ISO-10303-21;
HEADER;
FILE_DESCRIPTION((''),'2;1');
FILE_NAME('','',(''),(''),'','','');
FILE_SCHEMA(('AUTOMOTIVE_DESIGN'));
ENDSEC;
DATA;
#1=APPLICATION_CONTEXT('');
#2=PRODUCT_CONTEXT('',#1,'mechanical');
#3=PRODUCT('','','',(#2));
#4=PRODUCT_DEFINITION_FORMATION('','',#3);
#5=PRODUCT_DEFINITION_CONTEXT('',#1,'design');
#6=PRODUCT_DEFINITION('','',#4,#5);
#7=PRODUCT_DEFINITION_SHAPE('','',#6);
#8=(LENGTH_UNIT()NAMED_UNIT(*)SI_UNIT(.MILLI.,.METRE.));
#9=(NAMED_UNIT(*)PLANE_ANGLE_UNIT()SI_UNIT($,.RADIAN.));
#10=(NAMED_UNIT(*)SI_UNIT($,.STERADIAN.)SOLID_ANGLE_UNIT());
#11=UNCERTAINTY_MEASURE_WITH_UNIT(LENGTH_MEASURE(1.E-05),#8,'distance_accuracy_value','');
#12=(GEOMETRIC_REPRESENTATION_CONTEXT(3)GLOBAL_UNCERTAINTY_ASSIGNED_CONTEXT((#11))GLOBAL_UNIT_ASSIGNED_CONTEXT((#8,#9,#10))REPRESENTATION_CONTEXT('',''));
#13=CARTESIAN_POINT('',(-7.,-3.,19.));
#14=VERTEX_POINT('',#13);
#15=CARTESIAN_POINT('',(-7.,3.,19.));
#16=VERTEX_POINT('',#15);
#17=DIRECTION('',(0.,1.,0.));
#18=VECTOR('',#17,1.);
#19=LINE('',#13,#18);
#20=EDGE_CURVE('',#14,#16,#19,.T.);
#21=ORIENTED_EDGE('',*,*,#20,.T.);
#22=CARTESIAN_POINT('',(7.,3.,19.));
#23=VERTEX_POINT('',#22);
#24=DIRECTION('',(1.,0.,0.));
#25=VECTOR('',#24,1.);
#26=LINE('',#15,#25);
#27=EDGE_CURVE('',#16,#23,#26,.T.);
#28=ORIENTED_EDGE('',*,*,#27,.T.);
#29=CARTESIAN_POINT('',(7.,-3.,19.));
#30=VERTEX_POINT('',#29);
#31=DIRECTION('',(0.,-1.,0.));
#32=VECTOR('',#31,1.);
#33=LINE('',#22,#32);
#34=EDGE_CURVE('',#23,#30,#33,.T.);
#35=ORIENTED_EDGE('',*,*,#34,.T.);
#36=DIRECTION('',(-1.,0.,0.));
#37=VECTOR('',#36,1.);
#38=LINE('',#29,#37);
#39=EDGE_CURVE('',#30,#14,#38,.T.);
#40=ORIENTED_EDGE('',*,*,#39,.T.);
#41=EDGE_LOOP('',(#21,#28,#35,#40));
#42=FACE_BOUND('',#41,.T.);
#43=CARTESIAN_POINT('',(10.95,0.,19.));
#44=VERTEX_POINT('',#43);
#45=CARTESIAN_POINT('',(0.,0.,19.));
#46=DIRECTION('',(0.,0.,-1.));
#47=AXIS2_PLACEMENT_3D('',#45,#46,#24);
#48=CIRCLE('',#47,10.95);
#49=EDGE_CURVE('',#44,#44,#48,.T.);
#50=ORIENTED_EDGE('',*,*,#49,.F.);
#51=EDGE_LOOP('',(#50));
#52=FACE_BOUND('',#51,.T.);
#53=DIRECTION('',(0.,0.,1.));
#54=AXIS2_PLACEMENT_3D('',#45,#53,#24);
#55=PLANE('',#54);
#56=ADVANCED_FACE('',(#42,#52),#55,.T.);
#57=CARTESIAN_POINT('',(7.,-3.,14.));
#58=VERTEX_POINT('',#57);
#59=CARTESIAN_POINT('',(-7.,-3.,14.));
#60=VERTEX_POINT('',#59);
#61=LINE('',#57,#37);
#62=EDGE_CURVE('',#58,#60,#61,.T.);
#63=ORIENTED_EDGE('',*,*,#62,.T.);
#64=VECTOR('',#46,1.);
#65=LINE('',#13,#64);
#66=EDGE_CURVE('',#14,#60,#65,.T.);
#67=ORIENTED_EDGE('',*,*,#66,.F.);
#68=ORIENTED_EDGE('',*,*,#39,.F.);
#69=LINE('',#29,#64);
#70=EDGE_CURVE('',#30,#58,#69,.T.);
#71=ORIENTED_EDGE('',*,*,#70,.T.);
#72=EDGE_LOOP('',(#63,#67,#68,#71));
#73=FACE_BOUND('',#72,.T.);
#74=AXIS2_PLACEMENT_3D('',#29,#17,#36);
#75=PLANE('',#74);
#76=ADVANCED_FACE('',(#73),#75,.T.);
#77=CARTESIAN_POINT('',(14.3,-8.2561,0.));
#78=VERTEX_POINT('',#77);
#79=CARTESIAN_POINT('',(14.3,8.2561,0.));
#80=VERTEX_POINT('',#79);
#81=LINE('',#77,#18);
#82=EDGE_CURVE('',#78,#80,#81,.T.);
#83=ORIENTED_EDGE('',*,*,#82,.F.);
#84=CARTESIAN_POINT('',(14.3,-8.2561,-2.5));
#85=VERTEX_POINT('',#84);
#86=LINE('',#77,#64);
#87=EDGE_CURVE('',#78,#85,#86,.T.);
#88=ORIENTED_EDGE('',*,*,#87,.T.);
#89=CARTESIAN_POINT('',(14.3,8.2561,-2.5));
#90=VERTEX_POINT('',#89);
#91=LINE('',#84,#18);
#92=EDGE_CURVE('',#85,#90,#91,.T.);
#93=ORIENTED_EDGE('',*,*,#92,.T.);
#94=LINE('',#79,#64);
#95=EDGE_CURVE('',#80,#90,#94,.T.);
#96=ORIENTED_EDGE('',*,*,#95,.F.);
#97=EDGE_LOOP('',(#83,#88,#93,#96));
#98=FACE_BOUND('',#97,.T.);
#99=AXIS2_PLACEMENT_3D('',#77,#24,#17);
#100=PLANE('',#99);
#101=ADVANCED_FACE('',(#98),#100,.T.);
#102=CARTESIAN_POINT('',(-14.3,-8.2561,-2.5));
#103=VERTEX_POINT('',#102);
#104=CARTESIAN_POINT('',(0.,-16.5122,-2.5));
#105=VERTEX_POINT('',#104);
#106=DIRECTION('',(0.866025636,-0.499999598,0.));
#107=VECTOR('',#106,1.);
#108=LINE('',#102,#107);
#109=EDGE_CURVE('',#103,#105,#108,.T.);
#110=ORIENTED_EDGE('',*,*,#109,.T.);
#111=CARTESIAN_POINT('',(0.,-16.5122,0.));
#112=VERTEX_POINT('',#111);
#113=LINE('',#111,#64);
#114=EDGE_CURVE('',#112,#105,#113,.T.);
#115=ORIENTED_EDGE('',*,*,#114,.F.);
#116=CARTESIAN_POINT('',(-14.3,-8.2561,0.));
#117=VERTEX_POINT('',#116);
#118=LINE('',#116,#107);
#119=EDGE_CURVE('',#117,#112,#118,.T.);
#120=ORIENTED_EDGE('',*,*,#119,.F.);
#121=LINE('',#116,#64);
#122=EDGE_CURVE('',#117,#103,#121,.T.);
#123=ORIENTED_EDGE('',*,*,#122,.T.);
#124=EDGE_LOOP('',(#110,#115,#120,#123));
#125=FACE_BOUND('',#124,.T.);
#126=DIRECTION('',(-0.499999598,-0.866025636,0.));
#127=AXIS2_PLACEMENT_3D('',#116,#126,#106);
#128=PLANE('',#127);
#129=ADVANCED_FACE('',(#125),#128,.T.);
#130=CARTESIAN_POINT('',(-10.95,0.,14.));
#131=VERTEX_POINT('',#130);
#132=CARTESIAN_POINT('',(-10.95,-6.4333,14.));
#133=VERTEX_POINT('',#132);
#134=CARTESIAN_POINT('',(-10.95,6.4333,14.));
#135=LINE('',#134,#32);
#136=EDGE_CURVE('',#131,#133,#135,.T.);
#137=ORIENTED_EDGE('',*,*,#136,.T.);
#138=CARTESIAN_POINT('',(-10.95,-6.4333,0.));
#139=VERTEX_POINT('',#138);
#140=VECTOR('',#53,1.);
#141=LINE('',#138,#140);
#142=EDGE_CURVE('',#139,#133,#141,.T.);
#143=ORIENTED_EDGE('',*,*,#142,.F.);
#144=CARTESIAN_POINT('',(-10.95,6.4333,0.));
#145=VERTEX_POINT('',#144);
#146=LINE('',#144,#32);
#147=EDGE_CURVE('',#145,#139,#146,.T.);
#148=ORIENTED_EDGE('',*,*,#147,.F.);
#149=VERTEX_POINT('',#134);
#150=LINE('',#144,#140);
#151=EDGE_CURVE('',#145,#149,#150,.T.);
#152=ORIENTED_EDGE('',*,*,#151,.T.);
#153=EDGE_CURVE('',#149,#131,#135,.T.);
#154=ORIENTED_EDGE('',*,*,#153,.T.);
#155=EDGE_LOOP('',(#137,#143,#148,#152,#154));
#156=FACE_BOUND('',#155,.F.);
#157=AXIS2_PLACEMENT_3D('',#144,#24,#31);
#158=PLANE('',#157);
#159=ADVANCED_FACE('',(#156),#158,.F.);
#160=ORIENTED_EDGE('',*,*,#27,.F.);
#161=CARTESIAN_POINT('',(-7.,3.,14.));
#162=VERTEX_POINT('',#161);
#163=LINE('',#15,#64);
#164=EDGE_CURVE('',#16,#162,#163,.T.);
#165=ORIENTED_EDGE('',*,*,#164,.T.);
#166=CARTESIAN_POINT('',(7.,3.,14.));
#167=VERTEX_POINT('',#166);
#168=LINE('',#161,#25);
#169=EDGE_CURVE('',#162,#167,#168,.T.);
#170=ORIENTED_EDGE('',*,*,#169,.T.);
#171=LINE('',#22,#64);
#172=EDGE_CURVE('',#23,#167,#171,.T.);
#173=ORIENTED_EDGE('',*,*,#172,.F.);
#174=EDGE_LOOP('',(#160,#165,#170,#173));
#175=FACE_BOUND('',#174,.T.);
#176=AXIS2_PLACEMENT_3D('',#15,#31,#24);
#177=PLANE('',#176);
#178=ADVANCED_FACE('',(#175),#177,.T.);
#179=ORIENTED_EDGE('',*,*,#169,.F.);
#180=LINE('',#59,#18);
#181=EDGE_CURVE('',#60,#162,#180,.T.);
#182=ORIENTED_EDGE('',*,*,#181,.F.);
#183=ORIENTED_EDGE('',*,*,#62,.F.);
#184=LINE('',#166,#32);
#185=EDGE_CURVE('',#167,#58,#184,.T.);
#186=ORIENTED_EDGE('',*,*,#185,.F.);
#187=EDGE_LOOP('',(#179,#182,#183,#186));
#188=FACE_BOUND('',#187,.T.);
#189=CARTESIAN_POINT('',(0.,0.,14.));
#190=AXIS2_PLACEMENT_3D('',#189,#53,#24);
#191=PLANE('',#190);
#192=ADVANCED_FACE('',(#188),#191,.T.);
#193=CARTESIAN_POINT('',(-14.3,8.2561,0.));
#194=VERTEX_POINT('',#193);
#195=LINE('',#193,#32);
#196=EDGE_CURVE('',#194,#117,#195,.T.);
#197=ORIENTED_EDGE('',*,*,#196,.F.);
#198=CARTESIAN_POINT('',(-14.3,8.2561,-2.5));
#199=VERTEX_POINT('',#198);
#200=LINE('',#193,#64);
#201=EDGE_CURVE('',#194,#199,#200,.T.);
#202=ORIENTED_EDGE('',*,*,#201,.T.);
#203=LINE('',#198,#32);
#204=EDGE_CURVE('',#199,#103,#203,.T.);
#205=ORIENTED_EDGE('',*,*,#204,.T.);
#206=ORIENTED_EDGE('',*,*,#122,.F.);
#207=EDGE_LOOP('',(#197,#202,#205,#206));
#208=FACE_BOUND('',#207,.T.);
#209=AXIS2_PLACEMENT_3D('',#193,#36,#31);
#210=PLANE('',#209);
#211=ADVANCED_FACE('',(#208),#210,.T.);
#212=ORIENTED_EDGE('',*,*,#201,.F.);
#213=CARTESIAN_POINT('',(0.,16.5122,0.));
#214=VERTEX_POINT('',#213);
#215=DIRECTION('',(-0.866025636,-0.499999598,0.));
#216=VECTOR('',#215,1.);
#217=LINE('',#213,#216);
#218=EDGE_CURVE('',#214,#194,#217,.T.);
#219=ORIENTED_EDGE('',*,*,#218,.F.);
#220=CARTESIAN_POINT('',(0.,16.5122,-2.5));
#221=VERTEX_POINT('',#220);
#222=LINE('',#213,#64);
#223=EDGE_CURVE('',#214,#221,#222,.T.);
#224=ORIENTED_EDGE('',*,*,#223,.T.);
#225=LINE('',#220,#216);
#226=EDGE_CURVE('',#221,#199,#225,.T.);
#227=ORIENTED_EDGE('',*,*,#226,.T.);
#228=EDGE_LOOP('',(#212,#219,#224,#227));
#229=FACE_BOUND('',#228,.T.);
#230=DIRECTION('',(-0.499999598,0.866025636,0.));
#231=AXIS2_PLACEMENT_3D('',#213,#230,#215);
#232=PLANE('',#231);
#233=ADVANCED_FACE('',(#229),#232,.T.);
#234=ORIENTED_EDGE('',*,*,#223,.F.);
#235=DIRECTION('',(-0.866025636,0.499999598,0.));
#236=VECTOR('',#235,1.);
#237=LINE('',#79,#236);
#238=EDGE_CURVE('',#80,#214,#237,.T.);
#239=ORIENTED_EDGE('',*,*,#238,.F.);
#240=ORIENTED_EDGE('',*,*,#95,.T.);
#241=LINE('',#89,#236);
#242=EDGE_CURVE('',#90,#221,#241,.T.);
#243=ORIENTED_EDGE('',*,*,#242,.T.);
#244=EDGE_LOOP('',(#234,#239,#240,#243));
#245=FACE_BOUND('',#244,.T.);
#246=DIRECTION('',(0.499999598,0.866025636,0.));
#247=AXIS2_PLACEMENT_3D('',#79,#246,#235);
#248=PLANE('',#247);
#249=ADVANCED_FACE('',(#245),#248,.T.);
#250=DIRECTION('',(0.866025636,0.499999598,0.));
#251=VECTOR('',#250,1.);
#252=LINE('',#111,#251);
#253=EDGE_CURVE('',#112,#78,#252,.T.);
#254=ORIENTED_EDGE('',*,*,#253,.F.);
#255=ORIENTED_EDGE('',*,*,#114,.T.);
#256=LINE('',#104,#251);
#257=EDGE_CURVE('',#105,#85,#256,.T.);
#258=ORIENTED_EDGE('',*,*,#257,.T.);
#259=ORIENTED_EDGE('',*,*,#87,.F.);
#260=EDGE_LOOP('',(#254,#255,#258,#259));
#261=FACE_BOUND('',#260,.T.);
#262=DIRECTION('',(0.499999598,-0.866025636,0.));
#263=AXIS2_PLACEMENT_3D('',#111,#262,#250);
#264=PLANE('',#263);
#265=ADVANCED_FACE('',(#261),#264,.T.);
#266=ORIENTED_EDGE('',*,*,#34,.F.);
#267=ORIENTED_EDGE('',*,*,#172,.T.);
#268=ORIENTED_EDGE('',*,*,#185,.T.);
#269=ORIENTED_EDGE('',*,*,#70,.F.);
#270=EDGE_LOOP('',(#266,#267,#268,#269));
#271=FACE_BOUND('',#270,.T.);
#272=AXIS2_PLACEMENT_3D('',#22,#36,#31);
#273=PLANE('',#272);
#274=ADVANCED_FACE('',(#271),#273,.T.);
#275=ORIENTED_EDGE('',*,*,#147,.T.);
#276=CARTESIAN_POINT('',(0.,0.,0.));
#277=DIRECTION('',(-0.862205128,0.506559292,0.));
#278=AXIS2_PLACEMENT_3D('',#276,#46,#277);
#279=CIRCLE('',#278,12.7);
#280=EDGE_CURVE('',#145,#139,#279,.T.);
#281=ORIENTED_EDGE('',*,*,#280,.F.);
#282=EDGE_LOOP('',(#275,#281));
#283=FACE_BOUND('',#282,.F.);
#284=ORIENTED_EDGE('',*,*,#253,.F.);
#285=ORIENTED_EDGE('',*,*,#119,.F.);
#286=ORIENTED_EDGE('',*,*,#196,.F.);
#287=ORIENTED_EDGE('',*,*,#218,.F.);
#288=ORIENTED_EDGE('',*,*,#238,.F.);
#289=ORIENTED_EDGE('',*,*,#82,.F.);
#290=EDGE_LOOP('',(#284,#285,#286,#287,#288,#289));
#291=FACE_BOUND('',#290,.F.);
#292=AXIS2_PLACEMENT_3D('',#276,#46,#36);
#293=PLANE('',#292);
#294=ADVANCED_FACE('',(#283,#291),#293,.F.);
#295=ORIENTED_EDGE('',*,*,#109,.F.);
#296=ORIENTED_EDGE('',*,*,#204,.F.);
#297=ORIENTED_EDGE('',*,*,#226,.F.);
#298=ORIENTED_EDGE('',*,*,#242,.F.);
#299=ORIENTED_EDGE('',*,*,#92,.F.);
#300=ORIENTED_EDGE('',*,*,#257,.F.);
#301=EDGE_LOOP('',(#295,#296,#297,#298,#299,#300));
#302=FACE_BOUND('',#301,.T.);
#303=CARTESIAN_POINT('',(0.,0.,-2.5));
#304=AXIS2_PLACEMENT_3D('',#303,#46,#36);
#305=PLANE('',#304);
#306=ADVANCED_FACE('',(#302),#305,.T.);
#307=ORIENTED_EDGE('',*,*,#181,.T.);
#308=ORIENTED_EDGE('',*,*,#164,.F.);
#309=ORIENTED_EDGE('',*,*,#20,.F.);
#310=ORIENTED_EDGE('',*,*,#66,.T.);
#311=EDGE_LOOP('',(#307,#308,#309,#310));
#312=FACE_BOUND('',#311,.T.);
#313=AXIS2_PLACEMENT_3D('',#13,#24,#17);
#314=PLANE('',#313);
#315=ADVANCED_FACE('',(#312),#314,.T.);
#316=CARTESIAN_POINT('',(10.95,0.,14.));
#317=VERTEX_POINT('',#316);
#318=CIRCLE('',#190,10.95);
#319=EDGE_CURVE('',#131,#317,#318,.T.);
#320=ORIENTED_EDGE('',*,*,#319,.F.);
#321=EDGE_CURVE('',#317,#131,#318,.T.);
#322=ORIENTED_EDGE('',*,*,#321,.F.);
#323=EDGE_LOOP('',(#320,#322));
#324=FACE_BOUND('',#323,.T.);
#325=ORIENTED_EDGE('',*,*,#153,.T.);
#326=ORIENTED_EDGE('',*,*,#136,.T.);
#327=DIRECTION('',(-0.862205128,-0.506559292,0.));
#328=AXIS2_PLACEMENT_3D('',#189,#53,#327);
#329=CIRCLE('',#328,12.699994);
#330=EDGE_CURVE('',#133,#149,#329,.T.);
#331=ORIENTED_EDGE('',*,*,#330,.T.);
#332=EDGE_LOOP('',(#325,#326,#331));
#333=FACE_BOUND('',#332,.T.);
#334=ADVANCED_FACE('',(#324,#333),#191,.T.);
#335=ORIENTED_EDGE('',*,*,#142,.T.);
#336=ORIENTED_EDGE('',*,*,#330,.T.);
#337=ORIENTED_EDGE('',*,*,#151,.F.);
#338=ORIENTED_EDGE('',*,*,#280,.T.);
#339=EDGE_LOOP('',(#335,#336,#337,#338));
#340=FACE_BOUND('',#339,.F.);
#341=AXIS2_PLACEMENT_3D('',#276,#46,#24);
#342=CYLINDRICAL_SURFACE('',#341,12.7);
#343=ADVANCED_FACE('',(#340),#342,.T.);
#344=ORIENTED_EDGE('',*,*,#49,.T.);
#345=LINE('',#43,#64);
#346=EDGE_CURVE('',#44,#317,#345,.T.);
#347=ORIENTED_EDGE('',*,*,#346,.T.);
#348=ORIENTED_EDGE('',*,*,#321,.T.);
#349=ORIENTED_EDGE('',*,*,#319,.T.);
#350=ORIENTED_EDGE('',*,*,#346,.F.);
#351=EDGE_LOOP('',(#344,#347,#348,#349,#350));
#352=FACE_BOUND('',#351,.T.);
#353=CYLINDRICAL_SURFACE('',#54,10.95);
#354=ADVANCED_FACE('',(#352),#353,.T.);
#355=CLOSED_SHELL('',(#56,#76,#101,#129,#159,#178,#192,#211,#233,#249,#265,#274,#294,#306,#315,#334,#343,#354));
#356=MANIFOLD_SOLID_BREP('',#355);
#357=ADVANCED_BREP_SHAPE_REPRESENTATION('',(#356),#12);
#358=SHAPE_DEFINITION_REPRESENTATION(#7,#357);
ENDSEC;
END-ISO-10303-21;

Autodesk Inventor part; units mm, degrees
ref_plane "YZ Plane" through (0, 0, 0) normal (1, 0, 0) x (0, 1, 0)
ref_plane "XZ Plane" through (0, 0, 0) normal (0, 1, 0) x (-1, 0, 0)
ref_plane "XY Plane" through (0, 0, 0) normal (0, 0, 1) x (1, 0, 0)
sketch "Sketch1" plane through (0, 0, 0) normal (0, 0, 1) x (1, 0, 0)
  circle A0 centre (0, 0) radius 12.7
  line L0 (-10.95, 6.4333) -> (-10.95, -6.4333)
  dimension "d0" = 25.4
  dimension "d1" = 23.65
extrude "Extrusion1" add sketch "Sketch1" along normal blind 19 contours A0 L0 picked at (-3.0667, 0)
sketch "Sketch2" plane through (0, 0, 0) normal (0, 0, -1) x (-1, 0, 0)
  line L0 (0, 16.5122) -> (14.3, 8.2561)
  line L1 (14.3, 8.2561) -> (14.3, -8.2561)
  line L2 (14.3, -8.2561) -> (0, -16.5122)
  line L3 (0, -16.5122) -> (-14.3, -8.2561)
  line L4 (-14.3, -8.2561) -> (-14.3, 8.2561)
  line L5 (-14.3, 8.2561) -> (0, 16.5122)
  point P0 (0, 0)
  point P1 (0, 0)
  dimension "d5" = 28.6
extrude "Extrusion2" add sketch "Sketch2" along normal blind 2.5
sketch "Sketch3" plane through (0, 0, 19) normal (0, 0, 1) x (1, 0, 0)
  circle A0 centre (0, 0) radius 10.95
  arc A1 (-10.95, -6.4333) -> (-10.95, 6.4333) centre (0, 0) ccw projected
  line L0 (-10.95, 6.4333) -> (-10.95, -6.4333) projected
  point P0 (-10.95, 0)
extrude "Extrusion3" cut sketch "Sketch3" against normal blind 5
sketch "Sketch4" plane through (0, 0, 19) normal (0, 0, 1) x (1, 0, 0)
  line L0 (-7, 3) -> (7, 3)
  line L1 (7, 3) -> (7, -3)
  line L2 (7, -3) -> (-7, -3)
  line L3 (-7, -3) -> (-7, 3)
  point P0 (0, 0)
  point P1 (7, 0)
  point P2 (0, 3)
  dimension "d10" = 14
  dimension "d11" = 6
extrude "Extrusion4" cut sketch "Sketch4" against normal blind 5
thread "Thread1" size "1-20 UNEF" class "2A" standard "ANSI Unified Screw Threads" full length
properties part number "RS PRO USB 2.0 Cable, Female USB A to Male USB A USB Extension Cable, 200mm"
